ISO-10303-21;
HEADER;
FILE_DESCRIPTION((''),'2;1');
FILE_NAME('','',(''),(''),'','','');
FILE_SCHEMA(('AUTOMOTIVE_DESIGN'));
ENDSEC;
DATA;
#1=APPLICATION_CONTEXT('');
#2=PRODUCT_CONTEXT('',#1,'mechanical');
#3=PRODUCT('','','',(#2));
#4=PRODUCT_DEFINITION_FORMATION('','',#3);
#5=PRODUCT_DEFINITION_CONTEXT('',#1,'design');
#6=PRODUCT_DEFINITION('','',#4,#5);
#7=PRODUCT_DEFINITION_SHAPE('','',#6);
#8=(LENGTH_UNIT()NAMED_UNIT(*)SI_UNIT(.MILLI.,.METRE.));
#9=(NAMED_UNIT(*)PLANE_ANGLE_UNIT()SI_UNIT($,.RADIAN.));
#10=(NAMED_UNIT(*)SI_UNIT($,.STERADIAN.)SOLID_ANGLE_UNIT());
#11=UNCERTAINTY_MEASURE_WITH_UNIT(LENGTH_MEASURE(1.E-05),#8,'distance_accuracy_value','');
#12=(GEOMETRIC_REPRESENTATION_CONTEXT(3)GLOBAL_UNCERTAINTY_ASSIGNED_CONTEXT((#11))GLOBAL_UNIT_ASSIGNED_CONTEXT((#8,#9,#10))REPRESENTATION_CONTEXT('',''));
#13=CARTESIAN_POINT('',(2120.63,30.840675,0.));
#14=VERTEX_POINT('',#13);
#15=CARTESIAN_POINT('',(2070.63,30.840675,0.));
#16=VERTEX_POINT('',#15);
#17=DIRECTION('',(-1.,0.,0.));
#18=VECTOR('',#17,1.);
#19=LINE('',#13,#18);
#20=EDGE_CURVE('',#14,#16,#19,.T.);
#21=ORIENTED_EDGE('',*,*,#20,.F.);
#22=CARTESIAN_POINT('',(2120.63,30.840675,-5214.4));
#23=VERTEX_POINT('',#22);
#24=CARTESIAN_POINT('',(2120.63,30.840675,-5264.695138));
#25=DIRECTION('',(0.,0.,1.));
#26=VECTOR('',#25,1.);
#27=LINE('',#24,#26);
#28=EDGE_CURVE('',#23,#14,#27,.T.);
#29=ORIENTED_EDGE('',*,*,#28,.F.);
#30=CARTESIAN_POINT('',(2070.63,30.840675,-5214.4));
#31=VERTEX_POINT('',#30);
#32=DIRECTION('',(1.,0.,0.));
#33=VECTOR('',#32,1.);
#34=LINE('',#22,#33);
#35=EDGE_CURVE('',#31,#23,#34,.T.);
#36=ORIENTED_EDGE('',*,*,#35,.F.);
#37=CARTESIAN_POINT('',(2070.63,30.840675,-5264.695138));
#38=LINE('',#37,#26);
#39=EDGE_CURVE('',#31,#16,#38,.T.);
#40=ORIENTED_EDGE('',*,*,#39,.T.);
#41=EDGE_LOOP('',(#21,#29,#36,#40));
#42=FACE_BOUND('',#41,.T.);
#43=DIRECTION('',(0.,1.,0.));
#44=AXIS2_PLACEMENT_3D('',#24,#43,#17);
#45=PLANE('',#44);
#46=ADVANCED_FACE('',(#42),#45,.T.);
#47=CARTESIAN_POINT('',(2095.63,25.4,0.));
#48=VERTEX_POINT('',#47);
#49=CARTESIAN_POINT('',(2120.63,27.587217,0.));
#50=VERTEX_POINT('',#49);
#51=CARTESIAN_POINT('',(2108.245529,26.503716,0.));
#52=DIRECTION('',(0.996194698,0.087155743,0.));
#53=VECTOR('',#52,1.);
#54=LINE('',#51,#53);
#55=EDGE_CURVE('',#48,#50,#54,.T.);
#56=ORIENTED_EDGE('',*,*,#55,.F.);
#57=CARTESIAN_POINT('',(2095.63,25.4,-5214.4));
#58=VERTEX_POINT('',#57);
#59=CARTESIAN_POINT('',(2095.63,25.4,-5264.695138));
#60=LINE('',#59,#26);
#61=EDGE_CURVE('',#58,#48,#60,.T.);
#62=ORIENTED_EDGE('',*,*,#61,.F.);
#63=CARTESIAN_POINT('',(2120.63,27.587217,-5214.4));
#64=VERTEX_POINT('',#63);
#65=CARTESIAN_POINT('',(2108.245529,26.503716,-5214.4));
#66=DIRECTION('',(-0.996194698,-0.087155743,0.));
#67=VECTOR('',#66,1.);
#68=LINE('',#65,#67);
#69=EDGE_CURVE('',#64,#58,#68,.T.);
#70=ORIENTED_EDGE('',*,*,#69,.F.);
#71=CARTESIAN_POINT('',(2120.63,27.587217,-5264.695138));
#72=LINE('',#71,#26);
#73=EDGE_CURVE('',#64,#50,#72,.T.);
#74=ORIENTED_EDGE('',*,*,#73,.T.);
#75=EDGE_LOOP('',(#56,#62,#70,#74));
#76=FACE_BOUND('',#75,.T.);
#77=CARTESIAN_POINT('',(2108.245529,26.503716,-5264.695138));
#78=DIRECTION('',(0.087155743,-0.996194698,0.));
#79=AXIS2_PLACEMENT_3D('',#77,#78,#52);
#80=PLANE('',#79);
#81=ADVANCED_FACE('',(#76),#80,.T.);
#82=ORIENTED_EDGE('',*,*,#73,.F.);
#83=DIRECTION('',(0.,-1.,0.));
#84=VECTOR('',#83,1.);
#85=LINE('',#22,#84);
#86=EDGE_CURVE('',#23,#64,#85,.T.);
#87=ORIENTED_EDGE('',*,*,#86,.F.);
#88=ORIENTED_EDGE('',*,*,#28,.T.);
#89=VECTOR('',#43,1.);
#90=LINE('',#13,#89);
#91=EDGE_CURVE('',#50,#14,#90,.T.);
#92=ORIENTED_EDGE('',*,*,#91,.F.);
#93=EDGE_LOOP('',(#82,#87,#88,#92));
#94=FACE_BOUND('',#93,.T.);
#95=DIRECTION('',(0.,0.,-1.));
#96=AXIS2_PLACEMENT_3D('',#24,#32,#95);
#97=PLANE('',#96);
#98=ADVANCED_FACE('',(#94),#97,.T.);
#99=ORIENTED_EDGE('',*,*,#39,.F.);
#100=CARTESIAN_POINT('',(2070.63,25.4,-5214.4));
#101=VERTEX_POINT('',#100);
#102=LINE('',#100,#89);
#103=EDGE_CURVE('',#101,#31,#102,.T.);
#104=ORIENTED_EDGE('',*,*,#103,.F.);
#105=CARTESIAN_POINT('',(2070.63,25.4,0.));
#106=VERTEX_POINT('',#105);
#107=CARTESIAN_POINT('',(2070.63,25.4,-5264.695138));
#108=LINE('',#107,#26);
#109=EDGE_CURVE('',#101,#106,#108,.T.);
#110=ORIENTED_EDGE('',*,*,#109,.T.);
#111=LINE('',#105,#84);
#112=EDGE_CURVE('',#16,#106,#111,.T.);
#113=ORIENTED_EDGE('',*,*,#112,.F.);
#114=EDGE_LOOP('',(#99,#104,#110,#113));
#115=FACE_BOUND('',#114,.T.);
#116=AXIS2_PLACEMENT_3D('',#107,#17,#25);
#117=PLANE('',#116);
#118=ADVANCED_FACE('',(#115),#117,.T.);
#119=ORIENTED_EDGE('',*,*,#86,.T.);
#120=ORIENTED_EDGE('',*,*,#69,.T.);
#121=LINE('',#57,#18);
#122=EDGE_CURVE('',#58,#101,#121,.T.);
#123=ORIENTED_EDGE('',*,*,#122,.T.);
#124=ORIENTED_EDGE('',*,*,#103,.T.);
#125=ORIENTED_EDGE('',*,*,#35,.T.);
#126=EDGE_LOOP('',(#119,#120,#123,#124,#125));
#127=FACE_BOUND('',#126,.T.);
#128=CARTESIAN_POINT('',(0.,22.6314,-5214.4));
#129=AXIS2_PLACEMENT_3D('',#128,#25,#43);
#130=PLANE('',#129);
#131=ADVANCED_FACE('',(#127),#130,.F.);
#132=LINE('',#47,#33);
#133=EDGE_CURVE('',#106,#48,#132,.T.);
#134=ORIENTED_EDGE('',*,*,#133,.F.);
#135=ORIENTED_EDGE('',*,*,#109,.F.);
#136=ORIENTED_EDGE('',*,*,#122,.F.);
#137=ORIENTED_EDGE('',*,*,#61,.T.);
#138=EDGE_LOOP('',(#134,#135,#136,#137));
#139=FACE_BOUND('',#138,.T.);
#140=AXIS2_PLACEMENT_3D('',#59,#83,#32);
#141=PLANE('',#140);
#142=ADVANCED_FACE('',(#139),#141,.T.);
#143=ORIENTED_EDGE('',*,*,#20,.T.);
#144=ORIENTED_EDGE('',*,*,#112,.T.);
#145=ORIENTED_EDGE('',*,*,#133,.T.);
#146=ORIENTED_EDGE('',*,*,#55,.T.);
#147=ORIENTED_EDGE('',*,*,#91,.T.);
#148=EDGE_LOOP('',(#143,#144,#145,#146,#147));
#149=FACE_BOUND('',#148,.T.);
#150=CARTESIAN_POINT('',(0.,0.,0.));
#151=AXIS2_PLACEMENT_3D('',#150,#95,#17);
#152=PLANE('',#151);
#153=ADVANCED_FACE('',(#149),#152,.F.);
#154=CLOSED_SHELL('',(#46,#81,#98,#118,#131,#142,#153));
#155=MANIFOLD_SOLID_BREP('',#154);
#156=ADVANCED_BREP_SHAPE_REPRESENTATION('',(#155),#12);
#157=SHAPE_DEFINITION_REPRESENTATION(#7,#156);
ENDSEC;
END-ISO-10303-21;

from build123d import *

# Parameters (mm, degrees)
BOSS_EXTRUDE1_DEPTH = 5214.4


with BuildPart() as part:
    # Sketch2 → Boss-Extrude1 (new body)
    with BuildSketch(Plane.XY):
        Polygon((2095.63, 25.4), (2070.63, 25.4), (2070.63, 30.840674957), (2120.63, 30.840674957), (2120.63, 27.587216588), (2108.245529289, 26.503715797), align=None)
    extrude(amount=-BOSS_EXTRUDE1_DEPTH)


solid = part.part
